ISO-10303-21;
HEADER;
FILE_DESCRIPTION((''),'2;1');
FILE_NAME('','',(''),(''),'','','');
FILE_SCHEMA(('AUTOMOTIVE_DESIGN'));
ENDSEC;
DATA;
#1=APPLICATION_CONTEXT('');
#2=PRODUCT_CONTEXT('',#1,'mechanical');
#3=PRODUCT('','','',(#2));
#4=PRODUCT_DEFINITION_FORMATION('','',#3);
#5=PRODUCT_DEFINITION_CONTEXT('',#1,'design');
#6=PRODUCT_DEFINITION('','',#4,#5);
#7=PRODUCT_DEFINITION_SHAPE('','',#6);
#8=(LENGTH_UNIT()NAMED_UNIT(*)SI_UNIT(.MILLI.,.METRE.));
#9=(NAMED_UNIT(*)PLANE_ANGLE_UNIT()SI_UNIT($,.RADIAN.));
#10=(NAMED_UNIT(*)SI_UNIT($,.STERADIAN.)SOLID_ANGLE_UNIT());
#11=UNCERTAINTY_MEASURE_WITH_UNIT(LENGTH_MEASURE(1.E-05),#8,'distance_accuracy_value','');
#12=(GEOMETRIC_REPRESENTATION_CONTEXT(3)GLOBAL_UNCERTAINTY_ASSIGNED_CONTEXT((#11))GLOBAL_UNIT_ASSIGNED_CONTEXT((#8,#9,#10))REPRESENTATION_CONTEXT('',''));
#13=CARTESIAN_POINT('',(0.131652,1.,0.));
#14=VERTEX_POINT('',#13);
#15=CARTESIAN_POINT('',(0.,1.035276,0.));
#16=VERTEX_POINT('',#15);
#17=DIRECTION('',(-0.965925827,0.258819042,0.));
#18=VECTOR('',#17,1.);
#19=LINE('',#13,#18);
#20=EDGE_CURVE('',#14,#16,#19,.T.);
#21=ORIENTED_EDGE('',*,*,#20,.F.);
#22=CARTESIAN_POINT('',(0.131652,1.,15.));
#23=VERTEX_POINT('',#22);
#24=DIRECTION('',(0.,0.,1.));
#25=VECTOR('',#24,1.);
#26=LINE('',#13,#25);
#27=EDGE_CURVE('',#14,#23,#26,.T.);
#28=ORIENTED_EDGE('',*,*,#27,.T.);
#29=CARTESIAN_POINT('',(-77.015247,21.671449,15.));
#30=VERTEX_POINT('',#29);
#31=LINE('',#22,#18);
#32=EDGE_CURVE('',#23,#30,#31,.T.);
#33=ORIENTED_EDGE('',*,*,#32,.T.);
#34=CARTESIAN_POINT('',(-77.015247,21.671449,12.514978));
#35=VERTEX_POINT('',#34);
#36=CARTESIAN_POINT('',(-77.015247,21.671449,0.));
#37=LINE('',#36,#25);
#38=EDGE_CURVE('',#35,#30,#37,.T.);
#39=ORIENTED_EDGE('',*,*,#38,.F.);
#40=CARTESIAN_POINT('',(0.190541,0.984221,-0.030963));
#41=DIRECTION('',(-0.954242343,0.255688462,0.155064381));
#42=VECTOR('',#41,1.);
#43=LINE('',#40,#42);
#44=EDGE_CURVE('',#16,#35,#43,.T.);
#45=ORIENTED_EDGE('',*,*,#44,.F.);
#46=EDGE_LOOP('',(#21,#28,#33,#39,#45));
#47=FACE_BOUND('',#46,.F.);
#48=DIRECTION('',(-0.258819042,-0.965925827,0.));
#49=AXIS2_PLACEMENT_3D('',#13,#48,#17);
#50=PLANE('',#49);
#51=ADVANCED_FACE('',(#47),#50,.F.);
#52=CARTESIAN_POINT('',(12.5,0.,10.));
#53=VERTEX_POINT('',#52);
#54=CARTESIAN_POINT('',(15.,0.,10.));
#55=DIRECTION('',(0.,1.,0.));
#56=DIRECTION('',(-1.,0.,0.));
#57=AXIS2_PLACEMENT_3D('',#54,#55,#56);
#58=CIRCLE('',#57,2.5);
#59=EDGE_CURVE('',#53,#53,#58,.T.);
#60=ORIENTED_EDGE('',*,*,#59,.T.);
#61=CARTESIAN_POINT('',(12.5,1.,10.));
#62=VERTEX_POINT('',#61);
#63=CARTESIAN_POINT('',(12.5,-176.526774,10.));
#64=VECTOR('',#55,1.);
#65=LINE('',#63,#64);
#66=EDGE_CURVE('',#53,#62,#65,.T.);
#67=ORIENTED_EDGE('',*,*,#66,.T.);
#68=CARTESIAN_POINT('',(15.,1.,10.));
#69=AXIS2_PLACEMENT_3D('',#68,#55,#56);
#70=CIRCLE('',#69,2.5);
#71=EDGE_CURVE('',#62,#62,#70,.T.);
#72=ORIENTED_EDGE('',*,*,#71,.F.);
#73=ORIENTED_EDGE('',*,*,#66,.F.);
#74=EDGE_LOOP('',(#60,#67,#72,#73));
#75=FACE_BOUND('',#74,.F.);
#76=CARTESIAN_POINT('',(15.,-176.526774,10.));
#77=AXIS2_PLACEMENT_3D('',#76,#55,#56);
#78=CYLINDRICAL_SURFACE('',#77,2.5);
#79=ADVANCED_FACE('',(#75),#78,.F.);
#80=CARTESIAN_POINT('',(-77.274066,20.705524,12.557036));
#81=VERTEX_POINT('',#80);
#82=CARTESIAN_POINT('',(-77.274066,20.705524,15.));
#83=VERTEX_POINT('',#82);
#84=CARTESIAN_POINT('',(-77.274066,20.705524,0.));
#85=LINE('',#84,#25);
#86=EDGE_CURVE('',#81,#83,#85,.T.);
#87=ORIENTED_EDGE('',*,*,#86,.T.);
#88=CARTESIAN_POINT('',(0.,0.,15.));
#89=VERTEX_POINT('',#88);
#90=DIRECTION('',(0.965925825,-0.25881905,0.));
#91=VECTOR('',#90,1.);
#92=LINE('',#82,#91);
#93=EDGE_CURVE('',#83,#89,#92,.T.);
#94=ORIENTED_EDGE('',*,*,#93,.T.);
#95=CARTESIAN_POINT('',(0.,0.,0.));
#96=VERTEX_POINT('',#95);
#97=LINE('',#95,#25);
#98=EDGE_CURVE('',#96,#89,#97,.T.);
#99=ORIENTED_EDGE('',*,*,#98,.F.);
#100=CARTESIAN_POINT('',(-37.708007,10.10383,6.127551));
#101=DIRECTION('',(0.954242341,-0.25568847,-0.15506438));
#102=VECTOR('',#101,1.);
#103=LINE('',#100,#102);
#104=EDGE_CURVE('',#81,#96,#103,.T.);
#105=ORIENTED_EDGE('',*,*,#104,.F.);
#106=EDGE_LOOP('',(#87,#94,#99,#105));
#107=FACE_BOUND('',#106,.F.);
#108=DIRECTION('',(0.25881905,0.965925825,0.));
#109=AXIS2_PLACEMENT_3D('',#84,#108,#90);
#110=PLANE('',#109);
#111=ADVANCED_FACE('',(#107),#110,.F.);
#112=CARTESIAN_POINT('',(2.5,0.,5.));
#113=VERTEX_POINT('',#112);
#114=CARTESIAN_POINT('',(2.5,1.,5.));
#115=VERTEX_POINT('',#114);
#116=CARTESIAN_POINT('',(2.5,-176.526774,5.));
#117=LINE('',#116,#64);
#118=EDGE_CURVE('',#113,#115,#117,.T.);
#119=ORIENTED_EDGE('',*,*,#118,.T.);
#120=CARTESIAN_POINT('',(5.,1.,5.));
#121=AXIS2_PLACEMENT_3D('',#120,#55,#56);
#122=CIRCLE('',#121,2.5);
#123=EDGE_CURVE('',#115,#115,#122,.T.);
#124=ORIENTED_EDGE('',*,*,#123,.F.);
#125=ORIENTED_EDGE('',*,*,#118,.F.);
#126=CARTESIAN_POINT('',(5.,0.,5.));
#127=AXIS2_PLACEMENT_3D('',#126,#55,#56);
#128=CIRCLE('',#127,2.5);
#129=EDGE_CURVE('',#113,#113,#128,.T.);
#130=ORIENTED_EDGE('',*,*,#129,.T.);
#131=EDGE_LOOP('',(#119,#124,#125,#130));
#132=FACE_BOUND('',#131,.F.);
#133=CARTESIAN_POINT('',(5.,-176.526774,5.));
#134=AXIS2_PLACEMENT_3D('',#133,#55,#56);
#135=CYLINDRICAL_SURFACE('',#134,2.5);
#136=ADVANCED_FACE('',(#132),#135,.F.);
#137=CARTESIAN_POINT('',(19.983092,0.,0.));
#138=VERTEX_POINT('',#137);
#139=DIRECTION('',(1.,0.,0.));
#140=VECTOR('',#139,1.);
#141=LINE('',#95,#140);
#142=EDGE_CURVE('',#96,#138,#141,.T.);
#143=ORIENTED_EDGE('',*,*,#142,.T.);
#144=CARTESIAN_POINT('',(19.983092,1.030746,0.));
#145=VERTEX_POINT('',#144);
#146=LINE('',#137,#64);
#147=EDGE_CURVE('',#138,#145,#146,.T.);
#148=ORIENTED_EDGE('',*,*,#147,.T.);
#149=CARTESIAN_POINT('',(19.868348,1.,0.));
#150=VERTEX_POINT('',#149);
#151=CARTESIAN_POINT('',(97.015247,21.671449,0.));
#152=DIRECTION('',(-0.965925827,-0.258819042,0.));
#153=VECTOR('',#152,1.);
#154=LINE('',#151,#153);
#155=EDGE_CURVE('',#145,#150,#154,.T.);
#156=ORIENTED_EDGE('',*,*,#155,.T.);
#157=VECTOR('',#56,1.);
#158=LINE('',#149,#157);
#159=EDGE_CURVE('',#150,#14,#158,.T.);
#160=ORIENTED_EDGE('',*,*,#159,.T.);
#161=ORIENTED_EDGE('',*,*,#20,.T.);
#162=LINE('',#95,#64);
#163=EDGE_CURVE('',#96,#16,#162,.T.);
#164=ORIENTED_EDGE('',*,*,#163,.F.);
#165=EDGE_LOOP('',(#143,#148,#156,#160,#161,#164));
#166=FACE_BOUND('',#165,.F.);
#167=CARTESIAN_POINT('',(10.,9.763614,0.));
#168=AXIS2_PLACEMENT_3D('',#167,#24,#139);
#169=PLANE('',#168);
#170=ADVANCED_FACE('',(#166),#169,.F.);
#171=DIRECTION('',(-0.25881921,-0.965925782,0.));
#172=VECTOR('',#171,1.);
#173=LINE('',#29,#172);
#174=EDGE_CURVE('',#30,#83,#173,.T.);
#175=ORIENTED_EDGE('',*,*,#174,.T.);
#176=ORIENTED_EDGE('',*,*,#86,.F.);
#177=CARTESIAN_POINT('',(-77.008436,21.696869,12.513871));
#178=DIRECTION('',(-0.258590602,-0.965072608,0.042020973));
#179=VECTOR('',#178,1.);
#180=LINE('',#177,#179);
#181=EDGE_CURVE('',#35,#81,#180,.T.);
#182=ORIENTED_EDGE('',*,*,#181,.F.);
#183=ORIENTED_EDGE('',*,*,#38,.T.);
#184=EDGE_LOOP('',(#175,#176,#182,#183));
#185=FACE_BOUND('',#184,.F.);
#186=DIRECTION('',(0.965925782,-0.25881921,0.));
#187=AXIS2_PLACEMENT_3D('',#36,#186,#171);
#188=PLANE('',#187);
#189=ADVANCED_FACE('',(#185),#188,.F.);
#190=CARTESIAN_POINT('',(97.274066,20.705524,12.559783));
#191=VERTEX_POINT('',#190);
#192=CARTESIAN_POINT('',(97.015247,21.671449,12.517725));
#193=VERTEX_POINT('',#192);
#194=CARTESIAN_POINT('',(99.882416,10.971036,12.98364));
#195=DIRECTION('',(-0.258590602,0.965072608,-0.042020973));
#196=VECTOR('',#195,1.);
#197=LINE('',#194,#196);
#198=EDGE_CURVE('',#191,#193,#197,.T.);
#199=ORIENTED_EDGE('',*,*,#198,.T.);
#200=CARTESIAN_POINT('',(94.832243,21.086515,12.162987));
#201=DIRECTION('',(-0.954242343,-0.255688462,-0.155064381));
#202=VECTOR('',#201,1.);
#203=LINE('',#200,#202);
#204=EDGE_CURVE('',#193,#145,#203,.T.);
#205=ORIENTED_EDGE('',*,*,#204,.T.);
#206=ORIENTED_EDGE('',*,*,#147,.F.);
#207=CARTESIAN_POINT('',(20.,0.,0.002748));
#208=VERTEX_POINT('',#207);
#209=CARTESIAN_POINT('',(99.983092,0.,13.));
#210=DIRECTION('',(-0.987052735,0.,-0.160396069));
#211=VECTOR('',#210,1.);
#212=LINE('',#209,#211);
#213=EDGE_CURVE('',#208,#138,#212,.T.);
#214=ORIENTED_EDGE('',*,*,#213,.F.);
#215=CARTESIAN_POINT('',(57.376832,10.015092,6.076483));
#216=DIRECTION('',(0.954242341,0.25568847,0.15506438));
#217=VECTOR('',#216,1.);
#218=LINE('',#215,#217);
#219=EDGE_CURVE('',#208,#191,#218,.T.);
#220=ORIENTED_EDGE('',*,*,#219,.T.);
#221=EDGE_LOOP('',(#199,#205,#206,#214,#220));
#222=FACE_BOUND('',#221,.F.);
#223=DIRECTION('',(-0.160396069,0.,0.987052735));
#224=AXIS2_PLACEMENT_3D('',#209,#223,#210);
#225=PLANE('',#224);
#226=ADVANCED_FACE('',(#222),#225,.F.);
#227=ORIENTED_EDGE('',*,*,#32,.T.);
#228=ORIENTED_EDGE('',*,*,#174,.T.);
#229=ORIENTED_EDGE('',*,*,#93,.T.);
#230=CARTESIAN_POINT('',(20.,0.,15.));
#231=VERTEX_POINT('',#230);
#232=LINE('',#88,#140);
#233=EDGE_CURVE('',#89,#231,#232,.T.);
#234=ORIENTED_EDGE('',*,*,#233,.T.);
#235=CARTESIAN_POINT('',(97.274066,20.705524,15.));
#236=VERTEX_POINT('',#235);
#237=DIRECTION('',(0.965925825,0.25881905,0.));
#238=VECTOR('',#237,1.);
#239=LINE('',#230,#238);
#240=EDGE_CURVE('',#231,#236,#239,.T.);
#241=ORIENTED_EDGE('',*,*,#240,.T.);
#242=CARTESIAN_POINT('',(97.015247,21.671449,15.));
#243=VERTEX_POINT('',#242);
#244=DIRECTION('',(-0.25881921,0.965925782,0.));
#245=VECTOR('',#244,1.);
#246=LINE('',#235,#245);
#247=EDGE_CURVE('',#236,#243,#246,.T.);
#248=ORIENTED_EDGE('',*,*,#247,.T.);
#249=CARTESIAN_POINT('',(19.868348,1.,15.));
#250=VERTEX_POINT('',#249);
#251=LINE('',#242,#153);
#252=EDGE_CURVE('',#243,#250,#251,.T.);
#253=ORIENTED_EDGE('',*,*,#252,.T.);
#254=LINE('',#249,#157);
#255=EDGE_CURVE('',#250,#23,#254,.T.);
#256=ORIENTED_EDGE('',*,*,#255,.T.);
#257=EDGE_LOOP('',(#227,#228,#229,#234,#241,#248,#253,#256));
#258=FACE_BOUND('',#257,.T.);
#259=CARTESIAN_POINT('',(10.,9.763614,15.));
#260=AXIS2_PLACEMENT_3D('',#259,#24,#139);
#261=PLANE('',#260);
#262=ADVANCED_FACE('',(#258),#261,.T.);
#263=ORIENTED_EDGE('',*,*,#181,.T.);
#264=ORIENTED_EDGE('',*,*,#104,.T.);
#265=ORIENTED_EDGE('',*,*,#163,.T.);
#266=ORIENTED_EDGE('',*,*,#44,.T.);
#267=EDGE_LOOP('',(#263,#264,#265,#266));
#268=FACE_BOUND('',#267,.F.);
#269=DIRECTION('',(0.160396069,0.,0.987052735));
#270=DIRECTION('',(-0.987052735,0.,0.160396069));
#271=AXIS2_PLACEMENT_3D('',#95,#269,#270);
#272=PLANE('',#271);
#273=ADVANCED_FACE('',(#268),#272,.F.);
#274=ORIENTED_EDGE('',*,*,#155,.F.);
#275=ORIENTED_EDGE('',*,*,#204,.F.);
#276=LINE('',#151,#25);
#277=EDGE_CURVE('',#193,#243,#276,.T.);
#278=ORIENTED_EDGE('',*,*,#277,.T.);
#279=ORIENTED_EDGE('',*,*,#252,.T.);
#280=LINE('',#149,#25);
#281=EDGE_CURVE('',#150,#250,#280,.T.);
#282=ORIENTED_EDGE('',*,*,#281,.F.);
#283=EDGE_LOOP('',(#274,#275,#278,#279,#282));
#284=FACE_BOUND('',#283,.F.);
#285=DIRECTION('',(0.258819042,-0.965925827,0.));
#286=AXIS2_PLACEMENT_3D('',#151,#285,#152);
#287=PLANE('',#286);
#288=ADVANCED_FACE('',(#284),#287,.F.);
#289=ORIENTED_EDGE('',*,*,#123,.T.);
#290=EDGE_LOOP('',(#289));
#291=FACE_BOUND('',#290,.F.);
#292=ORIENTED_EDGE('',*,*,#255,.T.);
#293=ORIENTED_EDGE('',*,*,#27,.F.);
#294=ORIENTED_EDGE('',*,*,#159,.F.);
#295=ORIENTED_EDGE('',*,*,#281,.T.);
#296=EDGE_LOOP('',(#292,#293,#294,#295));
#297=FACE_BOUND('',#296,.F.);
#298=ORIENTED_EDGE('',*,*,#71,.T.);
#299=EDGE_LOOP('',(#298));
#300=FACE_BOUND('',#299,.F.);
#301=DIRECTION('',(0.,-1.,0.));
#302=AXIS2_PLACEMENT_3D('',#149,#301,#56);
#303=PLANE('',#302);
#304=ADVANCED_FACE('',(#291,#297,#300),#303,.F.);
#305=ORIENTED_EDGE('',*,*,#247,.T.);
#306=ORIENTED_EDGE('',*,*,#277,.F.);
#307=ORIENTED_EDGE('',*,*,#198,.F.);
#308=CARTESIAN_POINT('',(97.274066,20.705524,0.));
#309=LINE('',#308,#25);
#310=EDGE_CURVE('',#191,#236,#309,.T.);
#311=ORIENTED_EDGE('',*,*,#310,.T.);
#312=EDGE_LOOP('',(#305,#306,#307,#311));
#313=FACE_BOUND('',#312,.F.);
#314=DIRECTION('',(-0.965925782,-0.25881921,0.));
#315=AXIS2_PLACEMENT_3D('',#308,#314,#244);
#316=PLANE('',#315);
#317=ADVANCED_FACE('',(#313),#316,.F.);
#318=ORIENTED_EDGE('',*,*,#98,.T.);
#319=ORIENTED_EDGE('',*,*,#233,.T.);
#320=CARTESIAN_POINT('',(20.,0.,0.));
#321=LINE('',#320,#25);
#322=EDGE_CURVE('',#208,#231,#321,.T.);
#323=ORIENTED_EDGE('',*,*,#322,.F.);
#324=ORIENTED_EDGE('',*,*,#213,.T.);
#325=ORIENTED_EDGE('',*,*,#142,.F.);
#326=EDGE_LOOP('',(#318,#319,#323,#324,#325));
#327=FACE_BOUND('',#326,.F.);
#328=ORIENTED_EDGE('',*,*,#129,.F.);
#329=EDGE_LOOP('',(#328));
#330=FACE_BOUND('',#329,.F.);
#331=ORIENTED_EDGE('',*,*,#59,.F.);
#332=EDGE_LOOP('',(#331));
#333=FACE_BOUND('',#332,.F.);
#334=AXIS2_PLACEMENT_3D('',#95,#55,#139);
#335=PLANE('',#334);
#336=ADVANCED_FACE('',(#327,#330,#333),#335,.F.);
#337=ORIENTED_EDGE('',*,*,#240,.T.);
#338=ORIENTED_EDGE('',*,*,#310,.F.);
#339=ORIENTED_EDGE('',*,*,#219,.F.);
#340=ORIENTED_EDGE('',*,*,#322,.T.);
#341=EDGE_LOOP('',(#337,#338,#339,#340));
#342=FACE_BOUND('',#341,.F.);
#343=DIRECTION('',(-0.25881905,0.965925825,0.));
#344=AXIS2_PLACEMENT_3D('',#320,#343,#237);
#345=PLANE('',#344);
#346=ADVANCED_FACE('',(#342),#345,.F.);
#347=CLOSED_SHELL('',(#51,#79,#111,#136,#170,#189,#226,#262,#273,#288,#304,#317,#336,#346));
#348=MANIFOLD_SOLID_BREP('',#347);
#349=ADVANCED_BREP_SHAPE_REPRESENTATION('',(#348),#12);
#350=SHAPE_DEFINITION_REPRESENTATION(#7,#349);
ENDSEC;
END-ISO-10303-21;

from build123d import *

# Parameters (mm, degrees)
F1_DEPTH = 15
F3_DEPTH = 21.672449
F5_D     = 5


with BuildPart() as f1:
    # F0 (on Top) → F1 (new body)
    with BuildSketch(Plane.XY):
        Polygon((-77.274066, 20.705524), (0, 0), (20, 0), (97.274066, 20.705524), (97.015247, 21.671449), (19.868348, 1), (0.131652, 1), (-77.015247, 21.671449), align=None)
    extrude(amount=F1_DEPTH)

    # F2 (on Front) → F3 (cut, through all)
    with BuildSketch(Plane.XZ):
        Polygon((-80, 0), (0, 0), (-80, 13), align=None)
        Polygon((99.983092, 13), (19.983092, 0), (99.983092, 0), align=None)
    extrude(amount=-F3_DEPTH, mode=Mode.SUBTRACT)

    # F5 (through all)
    with Locations(Plane.XZ):
        with Locations((5, 5), (15, 10)):
            Hole(F5_D / 2)


solid = f1.part
